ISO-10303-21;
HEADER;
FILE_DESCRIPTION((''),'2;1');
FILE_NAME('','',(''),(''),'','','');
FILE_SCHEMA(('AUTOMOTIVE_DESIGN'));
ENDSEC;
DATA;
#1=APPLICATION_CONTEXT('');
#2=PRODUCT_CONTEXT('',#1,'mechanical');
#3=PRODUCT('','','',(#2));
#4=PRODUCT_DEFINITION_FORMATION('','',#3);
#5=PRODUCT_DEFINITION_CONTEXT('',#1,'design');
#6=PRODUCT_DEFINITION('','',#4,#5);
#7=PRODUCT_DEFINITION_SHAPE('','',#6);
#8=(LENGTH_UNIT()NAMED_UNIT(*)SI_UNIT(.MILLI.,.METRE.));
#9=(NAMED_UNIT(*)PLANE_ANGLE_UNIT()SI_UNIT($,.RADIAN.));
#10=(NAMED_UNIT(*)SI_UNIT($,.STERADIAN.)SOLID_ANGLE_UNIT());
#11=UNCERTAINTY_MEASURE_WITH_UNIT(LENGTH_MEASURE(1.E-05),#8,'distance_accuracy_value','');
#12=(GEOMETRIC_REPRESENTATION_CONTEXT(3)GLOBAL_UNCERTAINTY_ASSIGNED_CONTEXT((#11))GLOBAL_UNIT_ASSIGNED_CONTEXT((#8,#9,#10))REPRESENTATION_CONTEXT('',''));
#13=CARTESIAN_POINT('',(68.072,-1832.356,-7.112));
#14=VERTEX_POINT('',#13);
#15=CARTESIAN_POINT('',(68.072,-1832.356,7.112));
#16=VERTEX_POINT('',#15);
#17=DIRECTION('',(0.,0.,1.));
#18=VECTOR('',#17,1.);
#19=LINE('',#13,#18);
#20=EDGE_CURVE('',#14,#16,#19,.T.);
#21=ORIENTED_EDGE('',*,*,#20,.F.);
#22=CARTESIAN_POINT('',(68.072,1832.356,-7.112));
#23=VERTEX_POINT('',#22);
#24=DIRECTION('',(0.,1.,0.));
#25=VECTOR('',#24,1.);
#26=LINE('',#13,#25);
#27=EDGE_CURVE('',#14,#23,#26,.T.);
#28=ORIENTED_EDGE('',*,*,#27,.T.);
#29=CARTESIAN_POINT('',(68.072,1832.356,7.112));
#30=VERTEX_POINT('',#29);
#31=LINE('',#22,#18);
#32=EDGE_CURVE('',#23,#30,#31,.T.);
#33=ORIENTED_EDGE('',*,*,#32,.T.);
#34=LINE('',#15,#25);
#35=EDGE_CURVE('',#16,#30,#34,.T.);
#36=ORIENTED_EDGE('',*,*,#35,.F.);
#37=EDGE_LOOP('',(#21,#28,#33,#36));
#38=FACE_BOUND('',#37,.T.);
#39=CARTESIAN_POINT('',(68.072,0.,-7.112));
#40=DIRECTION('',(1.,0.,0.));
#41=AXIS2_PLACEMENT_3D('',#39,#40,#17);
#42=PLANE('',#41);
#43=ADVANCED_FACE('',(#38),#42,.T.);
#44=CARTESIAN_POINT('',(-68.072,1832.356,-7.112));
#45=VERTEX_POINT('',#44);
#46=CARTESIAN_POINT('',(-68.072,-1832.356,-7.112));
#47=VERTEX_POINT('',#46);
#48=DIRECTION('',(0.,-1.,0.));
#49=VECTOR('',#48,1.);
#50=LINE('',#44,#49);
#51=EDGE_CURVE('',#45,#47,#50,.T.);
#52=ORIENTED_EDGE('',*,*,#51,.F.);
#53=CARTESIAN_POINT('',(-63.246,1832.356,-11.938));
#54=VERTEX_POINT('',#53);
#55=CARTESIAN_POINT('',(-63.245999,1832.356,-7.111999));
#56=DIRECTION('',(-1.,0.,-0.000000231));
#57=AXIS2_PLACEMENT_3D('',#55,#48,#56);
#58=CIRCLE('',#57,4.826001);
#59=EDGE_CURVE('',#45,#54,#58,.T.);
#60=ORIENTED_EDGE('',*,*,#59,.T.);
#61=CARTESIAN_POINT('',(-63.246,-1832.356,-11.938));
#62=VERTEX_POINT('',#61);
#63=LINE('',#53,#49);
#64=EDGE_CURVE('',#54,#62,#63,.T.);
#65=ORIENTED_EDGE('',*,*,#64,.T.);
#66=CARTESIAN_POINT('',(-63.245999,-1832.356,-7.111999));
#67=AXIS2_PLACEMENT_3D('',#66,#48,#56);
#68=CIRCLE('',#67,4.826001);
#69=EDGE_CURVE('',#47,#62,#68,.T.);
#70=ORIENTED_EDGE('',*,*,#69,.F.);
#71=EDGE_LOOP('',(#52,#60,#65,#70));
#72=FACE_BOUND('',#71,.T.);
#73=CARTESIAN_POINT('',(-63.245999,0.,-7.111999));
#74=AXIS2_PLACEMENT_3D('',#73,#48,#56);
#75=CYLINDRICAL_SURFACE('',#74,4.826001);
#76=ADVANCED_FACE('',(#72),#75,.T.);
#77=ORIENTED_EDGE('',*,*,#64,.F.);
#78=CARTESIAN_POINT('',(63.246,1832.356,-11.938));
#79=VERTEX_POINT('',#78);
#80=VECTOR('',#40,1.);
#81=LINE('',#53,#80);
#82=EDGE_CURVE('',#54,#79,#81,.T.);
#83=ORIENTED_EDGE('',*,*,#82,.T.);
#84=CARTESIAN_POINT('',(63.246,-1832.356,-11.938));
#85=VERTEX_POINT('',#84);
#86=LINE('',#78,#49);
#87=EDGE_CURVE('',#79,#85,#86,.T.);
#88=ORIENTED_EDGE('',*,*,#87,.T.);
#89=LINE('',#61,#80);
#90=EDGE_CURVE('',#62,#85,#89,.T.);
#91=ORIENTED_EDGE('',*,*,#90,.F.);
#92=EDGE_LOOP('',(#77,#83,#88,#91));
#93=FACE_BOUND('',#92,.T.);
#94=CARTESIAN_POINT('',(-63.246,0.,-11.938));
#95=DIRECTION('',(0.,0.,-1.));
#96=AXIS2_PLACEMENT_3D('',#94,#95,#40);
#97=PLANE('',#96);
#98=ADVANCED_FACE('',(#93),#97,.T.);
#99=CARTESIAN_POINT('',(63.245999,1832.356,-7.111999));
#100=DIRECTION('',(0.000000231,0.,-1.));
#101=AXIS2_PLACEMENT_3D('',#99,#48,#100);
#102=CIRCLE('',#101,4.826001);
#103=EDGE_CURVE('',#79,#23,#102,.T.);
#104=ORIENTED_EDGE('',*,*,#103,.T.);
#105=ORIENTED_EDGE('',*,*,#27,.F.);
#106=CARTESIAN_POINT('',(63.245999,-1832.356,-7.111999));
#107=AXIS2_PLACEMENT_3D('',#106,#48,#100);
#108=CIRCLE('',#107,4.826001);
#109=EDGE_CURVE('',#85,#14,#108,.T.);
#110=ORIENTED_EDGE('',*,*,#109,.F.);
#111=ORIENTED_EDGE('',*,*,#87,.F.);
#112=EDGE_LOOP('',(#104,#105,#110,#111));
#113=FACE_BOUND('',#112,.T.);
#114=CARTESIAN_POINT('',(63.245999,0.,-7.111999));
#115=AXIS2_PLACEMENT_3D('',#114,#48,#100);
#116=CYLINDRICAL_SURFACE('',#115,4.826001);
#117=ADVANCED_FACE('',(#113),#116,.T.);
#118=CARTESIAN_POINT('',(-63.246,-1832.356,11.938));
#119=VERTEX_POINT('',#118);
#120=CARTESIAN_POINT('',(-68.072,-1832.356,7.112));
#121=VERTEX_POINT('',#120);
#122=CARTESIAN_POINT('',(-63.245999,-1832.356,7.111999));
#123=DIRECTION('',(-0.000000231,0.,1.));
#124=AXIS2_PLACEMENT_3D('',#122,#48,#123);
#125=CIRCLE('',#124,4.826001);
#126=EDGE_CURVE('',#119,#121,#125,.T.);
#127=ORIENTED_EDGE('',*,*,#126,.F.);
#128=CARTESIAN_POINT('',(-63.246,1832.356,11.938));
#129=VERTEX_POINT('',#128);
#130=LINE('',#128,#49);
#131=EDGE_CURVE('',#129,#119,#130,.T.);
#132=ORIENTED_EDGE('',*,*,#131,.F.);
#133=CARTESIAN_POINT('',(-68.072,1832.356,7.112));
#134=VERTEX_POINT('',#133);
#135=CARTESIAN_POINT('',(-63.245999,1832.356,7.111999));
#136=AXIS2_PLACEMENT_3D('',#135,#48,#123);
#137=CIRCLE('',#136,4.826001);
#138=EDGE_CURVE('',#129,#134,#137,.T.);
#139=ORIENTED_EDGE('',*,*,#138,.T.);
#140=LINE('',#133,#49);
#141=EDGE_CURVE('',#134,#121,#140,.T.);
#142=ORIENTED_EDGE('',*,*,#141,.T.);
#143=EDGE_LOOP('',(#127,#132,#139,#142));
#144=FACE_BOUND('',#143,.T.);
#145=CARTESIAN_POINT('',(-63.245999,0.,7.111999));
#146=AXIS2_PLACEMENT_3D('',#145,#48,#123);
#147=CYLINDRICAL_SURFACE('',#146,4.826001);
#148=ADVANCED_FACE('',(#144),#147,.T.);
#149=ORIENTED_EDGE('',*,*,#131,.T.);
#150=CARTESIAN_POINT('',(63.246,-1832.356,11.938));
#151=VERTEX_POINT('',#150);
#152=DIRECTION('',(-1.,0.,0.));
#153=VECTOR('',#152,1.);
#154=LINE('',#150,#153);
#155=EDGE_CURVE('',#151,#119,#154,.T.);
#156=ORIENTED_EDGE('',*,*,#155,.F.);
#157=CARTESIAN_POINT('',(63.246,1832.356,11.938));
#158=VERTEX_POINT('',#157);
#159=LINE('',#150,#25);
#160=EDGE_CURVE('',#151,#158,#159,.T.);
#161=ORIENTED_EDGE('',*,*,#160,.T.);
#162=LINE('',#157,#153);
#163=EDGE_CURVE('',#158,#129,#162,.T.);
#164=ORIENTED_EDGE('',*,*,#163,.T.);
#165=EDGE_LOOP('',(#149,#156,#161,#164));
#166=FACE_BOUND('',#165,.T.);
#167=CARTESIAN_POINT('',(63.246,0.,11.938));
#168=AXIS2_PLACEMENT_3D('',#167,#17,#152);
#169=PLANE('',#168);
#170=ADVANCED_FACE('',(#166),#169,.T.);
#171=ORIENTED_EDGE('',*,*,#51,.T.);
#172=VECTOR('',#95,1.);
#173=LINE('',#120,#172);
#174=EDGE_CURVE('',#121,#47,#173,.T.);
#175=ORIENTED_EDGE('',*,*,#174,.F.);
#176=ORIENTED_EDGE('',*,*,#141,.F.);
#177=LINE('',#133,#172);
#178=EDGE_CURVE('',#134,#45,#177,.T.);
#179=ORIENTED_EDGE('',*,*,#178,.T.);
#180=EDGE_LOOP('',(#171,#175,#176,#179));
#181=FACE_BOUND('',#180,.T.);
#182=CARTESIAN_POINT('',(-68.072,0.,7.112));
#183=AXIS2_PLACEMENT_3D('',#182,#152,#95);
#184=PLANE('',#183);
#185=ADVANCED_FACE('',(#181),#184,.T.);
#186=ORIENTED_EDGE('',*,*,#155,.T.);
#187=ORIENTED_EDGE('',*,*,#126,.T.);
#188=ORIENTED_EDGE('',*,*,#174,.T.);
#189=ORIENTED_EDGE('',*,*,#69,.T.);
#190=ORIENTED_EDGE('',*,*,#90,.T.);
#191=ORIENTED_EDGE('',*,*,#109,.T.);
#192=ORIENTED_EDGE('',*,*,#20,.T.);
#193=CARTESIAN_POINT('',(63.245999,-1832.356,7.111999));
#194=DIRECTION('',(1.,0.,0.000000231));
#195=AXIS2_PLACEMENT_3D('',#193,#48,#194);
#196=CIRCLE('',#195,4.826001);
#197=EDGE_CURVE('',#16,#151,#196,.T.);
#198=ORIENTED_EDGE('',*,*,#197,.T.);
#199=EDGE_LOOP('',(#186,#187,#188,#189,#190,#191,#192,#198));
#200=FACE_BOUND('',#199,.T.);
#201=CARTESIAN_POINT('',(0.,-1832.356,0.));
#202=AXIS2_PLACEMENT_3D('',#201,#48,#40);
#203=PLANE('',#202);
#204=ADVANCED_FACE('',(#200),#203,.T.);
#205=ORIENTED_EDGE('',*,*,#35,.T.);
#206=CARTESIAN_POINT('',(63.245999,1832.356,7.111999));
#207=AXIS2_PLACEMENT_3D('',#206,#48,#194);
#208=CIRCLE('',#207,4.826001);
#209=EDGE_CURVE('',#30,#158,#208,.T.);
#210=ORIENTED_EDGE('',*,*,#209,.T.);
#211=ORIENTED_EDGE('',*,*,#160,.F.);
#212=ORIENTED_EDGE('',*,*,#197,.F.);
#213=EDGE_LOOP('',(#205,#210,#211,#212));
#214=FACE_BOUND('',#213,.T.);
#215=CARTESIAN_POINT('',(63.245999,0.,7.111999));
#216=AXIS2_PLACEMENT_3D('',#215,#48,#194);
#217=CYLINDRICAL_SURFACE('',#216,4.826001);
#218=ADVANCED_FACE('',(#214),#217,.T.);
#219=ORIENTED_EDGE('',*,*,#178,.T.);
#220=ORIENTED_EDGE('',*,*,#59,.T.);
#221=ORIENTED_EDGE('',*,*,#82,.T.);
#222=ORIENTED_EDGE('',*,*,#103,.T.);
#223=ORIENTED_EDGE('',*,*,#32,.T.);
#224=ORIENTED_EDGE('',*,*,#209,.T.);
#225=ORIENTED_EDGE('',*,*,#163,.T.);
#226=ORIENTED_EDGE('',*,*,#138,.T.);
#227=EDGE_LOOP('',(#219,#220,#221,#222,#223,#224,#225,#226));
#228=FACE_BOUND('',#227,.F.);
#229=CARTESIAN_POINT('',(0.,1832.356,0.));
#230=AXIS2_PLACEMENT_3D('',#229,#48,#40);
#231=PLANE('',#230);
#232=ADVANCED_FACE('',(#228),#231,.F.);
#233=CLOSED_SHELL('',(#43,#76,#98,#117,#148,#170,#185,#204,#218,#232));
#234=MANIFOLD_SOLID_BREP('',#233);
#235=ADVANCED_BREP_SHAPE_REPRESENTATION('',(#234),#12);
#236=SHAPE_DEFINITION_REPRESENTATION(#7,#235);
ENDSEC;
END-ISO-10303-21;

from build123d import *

# Parameters (mm, degrees)
F1_DEPTH = 1832.356


with BuildPart() as f1:
    # F0 (on Front) → F1 (new body, symmetric)
    with BuildSketch(Plane.XZ):
        with BuildLine():
            Line((63.246, 11.938), (-63.246, 11.938))
            ThreePointArc((-63.246, 11.938), (-66.658497, 10.524497), (-68.072, 7.112))
            Line((-68.072, 7.112), (-68.072, -7.112))
            ThreePointArc((-68.072, -7.112), (-66.658497, -10.524497), (-63.246, -11.938))
            Line((-63.246, -11.938), (63.246, -11.938))
            ThreePointArc((63.246, -11.938), (66.658497, -10.524497), (68.072, -7.112))
            Line((68.072, -7.112), (68.072, 7.112))
            ThreePointArc((68.072, 7.112), (66.658497, 10.524497), (63.246, 11.938))
        make_face()
    extrude(amount=F1_DEPTH, both=True)


solid = f1.part
